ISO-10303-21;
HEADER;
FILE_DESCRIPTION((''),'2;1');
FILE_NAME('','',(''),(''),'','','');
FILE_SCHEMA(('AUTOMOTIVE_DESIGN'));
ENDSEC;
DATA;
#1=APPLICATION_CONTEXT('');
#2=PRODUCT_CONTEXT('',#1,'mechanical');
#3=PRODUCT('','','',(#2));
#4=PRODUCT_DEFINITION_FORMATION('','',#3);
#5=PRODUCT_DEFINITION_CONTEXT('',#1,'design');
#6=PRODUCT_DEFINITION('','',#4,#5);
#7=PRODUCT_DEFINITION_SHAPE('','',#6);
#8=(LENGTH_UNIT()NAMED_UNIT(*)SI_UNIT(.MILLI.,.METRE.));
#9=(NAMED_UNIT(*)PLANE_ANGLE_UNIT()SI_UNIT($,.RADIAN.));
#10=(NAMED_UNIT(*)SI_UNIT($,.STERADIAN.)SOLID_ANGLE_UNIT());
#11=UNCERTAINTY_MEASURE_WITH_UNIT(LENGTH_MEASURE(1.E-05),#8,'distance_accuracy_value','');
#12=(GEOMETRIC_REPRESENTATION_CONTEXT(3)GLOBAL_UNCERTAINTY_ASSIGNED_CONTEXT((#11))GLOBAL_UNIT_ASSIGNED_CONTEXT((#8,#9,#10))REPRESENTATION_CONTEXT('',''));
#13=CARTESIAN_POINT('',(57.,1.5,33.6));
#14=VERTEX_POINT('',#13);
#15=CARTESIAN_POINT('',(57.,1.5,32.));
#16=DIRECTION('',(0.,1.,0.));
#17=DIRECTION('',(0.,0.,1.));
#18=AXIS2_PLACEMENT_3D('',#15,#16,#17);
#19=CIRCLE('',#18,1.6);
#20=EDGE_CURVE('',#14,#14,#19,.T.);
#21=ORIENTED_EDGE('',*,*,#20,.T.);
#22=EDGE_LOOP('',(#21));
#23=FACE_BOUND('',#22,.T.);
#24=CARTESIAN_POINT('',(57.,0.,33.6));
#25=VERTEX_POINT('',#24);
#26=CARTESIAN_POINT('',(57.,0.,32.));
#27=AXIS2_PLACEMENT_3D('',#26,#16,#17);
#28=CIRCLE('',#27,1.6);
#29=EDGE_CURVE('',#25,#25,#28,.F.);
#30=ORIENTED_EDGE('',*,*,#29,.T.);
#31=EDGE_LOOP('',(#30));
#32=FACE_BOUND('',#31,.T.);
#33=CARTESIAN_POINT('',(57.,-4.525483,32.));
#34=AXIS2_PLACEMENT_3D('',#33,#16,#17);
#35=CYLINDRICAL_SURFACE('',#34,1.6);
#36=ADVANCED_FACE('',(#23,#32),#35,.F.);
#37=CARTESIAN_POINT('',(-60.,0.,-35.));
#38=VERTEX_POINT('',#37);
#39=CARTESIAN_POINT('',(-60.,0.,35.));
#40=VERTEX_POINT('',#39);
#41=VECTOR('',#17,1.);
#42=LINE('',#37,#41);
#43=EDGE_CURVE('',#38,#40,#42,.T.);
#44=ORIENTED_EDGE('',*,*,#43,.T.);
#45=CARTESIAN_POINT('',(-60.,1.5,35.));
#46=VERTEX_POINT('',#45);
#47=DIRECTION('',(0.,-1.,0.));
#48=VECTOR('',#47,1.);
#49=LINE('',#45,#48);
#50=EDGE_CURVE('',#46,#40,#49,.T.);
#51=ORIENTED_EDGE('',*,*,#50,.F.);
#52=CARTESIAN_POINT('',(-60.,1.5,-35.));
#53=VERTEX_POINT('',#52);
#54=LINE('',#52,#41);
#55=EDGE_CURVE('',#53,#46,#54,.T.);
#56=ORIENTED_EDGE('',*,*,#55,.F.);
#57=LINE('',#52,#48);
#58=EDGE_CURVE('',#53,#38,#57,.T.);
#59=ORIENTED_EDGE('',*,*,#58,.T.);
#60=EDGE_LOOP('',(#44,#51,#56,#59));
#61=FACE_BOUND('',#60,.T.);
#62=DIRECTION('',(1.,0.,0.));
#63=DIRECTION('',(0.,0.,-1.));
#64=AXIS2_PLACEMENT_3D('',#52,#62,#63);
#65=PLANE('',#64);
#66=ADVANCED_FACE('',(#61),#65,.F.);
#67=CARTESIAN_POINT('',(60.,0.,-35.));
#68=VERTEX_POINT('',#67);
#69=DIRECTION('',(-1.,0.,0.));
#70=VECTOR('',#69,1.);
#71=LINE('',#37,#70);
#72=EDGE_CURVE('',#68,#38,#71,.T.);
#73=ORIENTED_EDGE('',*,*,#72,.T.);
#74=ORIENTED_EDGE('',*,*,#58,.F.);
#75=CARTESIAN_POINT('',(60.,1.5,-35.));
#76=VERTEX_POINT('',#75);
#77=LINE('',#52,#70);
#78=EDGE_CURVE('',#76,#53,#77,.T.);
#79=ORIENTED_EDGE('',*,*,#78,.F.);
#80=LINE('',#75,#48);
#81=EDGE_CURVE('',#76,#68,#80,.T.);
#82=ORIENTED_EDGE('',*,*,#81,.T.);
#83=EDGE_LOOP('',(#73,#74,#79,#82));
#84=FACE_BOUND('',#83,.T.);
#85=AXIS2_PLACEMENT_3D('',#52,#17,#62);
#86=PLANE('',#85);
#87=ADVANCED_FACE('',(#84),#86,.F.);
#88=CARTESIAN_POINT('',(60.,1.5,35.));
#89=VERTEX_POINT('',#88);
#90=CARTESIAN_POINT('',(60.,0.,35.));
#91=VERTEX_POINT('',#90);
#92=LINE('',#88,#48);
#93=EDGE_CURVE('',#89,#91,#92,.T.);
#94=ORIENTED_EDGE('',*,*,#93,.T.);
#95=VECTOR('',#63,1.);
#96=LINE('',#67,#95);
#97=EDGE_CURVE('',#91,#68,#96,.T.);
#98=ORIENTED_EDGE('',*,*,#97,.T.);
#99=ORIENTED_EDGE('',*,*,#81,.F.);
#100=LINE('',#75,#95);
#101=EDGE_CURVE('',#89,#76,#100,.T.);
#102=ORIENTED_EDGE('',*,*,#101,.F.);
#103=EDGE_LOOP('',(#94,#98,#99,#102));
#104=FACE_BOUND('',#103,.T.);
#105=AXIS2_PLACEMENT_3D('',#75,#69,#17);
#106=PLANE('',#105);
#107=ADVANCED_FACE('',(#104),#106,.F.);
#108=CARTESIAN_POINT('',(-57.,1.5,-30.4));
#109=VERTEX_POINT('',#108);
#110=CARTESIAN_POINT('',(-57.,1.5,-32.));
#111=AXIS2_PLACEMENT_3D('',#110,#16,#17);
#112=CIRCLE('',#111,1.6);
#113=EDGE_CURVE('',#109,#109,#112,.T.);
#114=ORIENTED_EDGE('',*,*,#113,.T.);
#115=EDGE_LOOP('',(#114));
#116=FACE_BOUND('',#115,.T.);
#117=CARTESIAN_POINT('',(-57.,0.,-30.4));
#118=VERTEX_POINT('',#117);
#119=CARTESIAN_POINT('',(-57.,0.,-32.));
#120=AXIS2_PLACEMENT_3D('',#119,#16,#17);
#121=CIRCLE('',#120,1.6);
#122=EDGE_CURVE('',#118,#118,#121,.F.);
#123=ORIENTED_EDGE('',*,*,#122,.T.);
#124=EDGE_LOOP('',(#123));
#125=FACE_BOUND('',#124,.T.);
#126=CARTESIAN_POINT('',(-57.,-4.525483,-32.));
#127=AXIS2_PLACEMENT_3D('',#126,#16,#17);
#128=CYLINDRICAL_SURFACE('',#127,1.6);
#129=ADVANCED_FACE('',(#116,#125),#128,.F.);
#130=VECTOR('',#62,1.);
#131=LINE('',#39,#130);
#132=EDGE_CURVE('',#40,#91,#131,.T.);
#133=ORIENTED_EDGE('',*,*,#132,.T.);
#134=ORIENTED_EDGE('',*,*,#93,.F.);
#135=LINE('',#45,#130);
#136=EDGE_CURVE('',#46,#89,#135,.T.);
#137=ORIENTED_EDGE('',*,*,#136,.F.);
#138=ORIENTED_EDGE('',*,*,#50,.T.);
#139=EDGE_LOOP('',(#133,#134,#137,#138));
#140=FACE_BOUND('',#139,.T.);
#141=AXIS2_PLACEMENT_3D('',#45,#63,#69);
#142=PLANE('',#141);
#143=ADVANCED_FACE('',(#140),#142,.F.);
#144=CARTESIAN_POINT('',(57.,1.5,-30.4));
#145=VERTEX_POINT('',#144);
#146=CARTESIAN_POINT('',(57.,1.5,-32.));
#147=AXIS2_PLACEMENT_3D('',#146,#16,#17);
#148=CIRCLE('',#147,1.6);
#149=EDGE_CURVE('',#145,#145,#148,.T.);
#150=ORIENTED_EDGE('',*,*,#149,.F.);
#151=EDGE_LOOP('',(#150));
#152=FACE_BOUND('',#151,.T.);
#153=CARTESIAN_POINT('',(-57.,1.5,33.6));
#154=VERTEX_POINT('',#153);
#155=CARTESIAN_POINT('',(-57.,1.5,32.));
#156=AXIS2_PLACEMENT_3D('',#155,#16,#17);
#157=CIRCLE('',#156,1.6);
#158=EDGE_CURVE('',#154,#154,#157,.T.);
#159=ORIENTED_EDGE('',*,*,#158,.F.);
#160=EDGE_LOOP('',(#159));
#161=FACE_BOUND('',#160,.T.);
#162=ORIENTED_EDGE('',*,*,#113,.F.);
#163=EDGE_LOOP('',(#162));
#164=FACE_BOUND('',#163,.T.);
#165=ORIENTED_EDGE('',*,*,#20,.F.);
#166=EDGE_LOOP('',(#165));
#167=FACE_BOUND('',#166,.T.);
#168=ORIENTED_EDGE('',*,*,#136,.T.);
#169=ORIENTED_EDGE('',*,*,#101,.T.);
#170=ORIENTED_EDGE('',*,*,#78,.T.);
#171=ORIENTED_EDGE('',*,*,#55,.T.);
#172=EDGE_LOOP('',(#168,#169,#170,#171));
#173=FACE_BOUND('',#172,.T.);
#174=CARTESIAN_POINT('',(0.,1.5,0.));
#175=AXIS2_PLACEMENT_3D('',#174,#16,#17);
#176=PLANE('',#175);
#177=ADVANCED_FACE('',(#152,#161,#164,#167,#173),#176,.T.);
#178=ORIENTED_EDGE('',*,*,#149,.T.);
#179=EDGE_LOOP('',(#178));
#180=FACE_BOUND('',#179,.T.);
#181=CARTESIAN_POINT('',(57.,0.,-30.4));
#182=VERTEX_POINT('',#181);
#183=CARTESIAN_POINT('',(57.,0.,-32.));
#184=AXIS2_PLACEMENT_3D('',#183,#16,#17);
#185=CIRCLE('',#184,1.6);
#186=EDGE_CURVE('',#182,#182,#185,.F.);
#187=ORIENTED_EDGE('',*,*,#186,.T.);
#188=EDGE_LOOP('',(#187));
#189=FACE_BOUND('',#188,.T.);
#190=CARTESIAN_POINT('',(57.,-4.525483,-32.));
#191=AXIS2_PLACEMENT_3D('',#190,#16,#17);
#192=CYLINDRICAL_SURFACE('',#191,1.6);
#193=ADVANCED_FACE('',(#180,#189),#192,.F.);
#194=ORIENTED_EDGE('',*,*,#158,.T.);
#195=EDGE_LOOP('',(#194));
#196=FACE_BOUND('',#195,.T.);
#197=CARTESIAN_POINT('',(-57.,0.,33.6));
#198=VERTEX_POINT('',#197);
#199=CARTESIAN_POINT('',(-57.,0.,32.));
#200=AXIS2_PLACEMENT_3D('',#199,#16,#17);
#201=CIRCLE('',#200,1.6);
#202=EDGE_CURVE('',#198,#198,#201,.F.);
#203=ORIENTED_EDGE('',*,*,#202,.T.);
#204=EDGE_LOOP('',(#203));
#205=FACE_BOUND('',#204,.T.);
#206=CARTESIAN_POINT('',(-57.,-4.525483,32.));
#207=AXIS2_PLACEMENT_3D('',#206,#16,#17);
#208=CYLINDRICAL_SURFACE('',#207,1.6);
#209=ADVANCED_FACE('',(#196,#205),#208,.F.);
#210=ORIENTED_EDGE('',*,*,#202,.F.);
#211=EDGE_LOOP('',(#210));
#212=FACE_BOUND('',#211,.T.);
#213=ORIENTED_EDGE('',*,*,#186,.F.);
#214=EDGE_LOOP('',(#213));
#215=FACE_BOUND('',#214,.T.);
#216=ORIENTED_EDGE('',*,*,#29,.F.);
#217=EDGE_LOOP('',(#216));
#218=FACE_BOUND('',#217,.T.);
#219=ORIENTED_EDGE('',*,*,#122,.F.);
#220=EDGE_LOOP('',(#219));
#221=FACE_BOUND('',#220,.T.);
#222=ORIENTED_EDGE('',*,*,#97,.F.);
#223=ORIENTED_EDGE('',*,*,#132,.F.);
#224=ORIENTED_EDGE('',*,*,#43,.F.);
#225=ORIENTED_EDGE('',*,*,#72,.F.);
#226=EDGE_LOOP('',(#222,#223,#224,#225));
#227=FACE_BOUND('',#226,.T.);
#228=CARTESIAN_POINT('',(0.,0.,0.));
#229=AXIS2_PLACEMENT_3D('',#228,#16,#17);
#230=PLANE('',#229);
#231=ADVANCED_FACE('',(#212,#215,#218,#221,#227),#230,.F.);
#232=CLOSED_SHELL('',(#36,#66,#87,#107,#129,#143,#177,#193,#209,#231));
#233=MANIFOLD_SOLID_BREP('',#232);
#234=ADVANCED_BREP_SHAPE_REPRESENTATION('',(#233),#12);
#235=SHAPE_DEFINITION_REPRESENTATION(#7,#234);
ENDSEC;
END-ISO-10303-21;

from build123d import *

# Parameters (mm, degrees)
SKETCH_1_W          = 120
SKETCH_1_H          = 70
EXTRUDE_1_DEPTH     = 1.5
SKETCH_2_R          = 1.6
CUT_EXTRUDE_1_DEPTH = 1.5


with BuildPart() as part:
    # Эскиз1 → Бобышка-Вытянуть1 (new body)
    with BuildSketch(Plane(origin=(0, 0, 0), x_dir=(1, 0, 0), z_dir=(0, 1, 0))):
        Rectangle(SKETCH_1_W, SKETCH_1_H)
    extrude(amount=EXTRUDE_1_DEPTH)

    # Эскиз2 → Вырез-Вытянуть1 (cut)
    with BuildSketch(Plane(origin=(0, 1.5, 0), x_dir=(1, 0, 0), z_dir=(0, 1, 0))):
        with Locations(Location((-57, 32, 0), (0, 0, 270))):
            Circle(SKETCH_2_R)
        with Locations(Location((57, -32, 0), (0, 0, 270))):
            Circle(SKETCH_2_R)
        with Locations(Location((57, 32, 0), (0, 0, 270))):
            Circle(SKETCH_2_R)
        with Locations(Location((-57, -32, 0), (0, 0, 270))):
            Circle(SKETCH_2_R)
    extrude(amount=-CUT_EXTRUDE_1_DEPTH, mode=Mode.SUBTRACT)


solid = part.part
